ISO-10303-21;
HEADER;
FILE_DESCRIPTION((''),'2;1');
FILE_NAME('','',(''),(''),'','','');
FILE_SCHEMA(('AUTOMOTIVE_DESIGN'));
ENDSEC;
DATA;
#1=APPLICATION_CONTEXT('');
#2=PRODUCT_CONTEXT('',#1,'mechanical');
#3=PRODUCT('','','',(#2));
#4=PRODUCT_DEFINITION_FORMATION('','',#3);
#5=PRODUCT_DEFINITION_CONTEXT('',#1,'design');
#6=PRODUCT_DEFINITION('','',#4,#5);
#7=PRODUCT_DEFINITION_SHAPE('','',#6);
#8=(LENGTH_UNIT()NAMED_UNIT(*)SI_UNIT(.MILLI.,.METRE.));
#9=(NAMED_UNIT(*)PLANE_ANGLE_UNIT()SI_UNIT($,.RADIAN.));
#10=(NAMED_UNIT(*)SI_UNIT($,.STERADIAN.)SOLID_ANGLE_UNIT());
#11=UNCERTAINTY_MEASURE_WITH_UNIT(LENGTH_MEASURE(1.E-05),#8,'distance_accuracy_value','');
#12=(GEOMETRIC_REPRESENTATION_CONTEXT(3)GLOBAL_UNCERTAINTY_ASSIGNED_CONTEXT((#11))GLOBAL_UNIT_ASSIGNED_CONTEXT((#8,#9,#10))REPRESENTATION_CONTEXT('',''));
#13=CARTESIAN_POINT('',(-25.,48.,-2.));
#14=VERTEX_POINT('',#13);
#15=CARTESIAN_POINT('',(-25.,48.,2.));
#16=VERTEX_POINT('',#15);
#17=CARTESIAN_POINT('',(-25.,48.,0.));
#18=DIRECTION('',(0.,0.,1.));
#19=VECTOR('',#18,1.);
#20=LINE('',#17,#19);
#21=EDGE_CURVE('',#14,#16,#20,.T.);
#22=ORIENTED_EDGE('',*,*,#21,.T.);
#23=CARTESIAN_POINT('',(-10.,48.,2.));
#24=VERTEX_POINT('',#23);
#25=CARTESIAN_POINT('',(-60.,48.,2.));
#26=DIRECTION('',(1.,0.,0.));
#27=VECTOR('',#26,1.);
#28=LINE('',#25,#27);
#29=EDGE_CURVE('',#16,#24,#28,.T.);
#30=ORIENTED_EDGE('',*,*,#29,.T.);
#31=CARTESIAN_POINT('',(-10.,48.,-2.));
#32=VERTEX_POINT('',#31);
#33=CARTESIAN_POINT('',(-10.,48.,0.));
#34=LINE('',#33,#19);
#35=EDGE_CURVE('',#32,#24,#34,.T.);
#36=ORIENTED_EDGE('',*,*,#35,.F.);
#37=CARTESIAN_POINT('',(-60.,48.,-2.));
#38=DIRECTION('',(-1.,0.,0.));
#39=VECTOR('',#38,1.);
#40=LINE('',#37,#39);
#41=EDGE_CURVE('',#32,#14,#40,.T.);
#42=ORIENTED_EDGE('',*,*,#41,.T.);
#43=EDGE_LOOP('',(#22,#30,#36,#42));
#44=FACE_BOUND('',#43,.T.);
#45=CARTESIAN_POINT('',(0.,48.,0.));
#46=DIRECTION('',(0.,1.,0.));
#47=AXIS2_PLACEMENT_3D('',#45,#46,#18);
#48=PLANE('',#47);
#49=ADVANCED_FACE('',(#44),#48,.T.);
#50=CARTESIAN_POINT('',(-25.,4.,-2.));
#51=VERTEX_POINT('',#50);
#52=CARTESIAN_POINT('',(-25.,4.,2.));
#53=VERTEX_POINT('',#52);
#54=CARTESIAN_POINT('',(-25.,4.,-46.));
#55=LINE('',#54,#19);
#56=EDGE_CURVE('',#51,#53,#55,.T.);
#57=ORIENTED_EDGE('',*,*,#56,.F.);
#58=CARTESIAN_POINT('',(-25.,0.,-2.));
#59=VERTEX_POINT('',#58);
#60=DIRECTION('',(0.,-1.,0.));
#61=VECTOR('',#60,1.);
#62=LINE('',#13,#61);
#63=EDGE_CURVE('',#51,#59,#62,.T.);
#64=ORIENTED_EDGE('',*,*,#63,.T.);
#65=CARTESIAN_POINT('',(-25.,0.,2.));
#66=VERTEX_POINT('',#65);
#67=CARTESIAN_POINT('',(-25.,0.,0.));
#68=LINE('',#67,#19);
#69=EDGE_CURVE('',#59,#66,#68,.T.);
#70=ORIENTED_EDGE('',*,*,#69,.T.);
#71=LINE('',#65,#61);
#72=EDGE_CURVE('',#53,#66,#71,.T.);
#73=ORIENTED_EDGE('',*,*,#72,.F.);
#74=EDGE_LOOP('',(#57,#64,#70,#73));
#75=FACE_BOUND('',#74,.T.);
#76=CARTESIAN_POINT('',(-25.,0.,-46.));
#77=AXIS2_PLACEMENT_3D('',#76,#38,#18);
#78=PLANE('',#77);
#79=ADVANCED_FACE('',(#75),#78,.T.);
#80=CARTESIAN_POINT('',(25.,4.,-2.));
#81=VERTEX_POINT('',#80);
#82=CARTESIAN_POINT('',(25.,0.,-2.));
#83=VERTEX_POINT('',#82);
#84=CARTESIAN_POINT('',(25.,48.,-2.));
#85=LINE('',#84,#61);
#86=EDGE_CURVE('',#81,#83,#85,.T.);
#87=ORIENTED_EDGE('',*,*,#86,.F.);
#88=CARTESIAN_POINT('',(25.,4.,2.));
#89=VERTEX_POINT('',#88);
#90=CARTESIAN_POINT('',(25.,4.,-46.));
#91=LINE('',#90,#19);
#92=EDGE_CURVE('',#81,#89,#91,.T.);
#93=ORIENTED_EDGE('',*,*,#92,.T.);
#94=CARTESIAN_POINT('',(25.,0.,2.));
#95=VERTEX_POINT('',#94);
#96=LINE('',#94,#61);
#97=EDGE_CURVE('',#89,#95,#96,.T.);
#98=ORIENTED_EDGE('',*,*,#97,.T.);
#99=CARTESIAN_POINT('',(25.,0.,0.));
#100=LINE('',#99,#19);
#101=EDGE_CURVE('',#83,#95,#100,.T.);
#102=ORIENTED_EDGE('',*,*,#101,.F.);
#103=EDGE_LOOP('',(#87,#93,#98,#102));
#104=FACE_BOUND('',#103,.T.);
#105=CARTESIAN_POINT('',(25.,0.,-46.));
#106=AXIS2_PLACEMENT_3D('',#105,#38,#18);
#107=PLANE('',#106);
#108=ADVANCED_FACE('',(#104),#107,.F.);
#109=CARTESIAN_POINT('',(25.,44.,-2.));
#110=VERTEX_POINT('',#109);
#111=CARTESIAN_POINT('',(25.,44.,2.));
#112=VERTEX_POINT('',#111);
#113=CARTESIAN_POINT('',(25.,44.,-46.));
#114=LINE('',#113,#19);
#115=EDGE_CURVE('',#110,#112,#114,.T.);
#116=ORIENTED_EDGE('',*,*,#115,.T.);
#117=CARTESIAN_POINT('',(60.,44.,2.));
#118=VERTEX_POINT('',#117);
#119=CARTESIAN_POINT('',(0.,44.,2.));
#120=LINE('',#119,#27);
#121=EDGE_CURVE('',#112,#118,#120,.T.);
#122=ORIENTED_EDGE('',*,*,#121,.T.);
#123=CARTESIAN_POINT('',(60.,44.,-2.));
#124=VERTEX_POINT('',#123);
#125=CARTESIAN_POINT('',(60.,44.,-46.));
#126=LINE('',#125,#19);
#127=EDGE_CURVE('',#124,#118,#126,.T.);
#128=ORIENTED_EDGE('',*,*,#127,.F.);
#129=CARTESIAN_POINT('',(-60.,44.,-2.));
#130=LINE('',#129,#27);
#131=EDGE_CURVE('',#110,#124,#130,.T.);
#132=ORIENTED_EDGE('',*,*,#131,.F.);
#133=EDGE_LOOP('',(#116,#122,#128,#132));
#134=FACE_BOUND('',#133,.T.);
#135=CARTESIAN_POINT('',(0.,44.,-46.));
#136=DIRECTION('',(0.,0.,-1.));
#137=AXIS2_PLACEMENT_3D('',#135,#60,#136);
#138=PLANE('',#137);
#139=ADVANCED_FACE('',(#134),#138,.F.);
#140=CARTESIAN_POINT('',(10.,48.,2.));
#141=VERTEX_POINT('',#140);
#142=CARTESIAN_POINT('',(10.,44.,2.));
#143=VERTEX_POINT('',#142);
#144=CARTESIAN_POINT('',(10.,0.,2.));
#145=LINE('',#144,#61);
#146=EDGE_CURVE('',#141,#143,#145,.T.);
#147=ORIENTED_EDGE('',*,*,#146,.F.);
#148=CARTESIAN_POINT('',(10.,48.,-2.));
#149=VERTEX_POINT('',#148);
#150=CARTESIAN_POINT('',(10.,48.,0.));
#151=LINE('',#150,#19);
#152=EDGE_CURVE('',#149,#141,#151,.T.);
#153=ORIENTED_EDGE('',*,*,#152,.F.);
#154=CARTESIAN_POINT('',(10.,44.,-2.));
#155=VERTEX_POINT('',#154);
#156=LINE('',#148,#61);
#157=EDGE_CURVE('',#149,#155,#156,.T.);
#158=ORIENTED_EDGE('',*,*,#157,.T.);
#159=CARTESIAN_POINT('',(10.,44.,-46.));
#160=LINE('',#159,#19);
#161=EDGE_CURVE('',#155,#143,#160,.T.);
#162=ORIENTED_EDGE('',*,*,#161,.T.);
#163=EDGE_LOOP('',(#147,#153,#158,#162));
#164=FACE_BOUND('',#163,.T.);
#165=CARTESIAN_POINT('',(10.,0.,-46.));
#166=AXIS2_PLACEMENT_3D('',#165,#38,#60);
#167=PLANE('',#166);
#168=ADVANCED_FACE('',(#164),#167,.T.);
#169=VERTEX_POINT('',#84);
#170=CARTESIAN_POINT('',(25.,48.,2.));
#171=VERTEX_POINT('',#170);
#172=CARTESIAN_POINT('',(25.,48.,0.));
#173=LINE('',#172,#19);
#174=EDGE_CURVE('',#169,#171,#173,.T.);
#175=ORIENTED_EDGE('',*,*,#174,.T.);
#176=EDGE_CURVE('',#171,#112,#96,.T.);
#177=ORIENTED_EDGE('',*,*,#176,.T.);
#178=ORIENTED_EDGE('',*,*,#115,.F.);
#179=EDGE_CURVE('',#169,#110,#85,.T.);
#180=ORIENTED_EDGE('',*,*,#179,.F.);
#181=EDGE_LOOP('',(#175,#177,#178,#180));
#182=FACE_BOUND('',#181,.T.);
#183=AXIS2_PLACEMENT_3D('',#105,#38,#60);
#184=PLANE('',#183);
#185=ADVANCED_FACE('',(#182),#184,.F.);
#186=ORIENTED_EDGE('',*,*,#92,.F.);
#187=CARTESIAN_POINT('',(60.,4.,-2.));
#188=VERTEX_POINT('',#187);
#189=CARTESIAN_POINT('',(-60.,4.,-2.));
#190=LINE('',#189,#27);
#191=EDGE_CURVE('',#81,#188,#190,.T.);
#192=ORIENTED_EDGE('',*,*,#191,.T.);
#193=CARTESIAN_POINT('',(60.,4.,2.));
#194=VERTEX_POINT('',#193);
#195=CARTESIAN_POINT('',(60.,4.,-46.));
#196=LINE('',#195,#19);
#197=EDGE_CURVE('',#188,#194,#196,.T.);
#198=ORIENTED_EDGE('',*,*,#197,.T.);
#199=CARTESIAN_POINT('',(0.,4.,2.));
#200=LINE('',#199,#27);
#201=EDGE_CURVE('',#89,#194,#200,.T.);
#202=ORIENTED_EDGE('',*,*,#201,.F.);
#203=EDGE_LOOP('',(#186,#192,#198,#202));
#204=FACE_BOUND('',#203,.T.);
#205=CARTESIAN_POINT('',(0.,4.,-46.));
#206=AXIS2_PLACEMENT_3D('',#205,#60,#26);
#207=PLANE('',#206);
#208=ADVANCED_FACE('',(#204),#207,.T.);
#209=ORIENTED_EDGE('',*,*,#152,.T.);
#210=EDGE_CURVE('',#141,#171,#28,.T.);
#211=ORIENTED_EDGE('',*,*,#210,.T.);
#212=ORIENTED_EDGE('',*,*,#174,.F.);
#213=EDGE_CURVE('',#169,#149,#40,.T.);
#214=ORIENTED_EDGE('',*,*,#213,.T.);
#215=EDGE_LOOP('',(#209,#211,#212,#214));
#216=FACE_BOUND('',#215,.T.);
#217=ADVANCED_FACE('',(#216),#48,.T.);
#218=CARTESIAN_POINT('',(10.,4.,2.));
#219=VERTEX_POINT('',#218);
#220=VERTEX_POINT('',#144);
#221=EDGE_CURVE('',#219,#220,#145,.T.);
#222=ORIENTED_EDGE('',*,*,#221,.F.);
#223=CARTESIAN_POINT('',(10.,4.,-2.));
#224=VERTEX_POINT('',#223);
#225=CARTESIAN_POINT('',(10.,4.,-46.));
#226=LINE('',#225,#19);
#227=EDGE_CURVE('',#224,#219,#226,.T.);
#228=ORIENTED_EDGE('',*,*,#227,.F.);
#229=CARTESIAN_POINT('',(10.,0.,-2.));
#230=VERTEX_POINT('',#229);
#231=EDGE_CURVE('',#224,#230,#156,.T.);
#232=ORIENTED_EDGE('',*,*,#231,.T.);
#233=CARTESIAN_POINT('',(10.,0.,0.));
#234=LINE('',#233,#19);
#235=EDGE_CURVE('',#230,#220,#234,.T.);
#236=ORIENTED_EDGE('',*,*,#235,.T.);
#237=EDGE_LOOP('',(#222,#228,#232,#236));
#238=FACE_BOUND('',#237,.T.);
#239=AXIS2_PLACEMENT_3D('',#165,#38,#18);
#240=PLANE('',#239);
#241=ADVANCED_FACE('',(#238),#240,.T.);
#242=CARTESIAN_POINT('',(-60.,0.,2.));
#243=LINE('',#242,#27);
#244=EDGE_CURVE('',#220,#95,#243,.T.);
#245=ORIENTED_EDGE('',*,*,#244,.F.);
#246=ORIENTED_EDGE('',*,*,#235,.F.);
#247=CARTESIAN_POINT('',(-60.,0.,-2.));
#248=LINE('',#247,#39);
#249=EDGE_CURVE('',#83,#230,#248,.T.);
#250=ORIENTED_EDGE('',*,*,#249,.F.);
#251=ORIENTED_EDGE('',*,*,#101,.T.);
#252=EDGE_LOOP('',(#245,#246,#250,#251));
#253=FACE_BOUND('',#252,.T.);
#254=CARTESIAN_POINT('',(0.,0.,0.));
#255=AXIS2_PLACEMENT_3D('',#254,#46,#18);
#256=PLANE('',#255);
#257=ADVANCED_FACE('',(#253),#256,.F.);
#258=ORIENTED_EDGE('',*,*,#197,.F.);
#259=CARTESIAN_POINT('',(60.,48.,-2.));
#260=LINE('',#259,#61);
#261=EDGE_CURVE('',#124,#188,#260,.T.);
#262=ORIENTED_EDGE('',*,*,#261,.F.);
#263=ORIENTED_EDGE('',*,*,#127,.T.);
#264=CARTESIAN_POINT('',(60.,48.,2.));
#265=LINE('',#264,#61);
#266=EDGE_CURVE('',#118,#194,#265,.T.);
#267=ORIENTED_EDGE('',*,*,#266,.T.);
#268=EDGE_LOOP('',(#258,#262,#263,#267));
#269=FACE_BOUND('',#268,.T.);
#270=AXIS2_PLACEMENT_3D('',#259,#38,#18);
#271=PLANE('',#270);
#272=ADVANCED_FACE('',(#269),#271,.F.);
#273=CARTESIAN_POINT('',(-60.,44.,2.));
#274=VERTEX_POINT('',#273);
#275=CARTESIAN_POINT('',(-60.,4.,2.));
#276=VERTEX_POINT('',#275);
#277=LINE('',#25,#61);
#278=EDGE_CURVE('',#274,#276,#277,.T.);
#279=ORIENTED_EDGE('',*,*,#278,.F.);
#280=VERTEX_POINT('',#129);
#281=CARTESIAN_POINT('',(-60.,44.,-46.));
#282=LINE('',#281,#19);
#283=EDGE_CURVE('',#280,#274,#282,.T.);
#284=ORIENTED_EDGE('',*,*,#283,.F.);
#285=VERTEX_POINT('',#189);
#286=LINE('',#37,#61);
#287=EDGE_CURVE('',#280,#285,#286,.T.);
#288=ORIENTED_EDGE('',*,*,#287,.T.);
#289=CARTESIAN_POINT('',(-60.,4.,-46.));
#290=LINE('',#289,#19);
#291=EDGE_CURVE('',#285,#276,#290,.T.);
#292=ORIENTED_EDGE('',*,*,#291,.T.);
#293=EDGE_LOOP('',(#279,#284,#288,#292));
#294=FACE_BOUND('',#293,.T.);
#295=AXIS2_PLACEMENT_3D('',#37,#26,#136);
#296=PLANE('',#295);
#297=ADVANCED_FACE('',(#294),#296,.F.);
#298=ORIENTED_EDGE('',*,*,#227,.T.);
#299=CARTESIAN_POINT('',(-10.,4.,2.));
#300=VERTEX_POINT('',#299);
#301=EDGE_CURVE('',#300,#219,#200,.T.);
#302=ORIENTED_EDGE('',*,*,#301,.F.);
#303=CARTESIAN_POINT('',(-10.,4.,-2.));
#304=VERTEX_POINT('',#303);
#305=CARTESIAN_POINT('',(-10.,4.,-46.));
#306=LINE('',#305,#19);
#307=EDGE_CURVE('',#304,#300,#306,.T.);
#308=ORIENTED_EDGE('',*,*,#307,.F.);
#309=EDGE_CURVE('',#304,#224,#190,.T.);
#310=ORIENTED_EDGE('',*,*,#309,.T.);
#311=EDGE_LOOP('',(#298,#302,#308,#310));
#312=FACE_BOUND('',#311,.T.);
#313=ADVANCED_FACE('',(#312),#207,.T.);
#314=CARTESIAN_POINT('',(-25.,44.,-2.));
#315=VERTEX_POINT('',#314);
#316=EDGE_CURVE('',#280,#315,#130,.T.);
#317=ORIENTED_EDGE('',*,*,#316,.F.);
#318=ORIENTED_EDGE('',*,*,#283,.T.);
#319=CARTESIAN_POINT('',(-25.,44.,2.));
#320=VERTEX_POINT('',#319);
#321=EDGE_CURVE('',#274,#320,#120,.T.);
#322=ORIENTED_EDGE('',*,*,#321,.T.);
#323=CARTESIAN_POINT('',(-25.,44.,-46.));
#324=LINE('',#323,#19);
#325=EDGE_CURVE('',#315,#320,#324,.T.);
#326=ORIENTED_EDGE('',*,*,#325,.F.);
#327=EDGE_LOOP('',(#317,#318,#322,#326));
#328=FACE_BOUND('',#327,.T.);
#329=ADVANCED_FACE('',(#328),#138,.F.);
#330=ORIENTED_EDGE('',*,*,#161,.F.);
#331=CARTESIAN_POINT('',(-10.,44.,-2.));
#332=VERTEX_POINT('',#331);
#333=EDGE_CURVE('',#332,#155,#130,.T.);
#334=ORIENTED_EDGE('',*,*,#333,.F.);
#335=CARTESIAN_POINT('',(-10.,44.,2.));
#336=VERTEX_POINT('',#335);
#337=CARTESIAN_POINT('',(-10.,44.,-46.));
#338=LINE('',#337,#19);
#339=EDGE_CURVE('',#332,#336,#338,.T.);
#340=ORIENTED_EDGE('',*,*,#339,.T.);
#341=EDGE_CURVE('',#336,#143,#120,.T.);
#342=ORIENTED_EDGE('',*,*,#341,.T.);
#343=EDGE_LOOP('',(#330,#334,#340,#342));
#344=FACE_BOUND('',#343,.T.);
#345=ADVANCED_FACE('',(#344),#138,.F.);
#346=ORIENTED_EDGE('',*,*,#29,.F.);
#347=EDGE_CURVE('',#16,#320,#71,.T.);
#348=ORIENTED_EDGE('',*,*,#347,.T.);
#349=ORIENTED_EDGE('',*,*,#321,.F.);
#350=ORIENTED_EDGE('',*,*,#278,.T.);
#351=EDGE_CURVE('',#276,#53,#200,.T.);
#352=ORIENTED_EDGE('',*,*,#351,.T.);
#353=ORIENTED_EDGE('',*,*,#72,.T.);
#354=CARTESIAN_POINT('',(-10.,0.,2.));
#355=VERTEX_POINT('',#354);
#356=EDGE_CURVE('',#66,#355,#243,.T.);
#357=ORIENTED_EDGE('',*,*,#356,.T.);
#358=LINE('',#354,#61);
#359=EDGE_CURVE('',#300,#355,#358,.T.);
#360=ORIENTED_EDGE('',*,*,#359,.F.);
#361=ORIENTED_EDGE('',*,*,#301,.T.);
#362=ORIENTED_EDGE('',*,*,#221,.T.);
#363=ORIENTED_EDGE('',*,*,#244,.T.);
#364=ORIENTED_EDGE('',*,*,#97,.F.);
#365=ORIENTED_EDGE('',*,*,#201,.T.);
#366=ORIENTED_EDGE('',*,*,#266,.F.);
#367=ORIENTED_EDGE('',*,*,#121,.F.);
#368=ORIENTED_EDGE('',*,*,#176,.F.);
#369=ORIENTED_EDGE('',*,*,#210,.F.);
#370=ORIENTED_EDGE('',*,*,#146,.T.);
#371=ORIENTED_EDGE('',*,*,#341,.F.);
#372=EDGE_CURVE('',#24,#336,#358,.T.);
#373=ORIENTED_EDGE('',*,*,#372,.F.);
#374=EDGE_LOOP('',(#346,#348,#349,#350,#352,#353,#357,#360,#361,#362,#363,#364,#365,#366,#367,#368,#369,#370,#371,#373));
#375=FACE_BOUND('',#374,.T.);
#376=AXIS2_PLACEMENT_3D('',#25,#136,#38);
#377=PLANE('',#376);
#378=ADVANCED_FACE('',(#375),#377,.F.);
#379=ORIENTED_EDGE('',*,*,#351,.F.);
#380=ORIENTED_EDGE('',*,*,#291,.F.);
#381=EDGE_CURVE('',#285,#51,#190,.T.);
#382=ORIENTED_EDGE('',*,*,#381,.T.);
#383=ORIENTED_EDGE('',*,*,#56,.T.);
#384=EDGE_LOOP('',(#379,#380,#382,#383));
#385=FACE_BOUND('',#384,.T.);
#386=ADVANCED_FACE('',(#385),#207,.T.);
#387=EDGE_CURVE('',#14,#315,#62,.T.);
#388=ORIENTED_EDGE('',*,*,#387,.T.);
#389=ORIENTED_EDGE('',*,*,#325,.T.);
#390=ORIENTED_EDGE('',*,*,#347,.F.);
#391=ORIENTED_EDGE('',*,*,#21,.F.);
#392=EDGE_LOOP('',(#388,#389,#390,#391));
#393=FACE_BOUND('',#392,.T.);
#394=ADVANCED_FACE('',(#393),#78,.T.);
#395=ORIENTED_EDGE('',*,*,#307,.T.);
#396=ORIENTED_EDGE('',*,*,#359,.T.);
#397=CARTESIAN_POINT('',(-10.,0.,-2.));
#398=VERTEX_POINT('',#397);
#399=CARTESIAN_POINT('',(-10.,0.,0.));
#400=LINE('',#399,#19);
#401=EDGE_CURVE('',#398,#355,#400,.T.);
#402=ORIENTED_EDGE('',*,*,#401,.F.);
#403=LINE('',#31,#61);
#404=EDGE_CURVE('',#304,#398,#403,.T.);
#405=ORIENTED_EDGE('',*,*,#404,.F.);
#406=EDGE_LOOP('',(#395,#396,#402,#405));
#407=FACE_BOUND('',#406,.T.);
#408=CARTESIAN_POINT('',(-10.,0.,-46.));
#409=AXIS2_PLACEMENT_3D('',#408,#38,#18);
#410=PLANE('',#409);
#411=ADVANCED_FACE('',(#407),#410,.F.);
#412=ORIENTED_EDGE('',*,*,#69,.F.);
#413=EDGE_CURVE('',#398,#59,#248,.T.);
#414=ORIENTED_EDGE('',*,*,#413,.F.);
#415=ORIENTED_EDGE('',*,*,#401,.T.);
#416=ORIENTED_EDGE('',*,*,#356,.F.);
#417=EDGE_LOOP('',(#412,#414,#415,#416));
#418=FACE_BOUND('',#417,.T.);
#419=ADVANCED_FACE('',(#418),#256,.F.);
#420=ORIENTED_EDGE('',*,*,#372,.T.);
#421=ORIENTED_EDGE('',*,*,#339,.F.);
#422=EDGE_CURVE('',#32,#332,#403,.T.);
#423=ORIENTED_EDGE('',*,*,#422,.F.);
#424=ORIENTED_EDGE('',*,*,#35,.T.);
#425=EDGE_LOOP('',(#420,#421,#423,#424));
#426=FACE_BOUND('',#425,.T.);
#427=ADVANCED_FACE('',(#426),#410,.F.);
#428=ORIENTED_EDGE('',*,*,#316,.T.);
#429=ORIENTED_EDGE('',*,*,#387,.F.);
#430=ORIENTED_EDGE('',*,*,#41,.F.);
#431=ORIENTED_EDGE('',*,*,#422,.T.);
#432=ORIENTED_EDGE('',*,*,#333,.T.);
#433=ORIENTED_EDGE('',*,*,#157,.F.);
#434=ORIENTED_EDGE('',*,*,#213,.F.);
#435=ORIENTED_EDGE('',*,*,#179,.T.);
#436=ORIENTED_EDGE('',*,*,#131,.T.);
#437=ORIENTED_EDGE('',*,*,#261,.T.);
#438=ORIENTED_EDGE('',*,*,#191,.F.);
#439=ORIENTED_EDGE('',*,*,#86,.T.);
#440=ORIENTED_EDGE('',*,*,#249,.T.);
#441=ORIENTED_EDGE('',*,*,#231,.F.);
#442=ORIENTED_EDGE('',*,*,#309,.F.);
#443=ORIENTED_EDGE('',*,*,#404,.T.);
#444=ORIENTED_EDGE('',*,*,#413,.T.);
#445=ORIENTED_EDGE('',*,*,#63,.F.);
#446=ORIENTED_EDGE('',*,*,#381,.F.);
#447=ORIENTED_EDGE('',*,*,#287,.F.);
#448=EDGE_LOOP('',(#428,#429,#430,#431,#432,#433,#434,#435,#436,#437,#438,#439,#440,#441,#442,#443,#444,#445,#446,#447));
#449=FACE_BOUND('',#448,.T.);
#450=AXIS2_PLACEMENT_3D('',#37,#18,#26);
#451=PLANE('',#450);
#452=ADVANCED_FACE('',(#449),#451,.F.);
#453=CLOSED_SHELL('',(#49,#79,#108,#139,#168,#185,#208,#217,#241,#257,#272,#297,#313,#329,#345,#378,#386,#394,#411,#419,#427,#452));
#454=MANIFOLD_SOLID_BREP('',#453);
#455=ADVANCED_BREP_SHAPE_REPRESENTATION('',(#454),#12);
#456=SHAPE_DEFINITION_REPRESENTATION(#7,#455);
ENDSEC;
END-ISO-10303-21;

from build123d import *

# Parameters (mm, degrees)
SKETCH1_W           = 120
SKETCH1_H           = 4
BOSS_EXTRUDE3_DEPTH = 48
SKETCH4_W           = 35
SKETCH4_H           = 4
SKETCH4_W_2         = 20
CUT_EXTRUDE2_DEPTH  = 48


with BuildPart() as part:
    # Sketch1 → Boss-Extrude3 (new body)
    with BuildSketch(Plane(origin=(0, 0, 0), x_dir=(1, 0, 0), z_dir=(0, 1, 0))):
        Rectangle(SKETCH1_W, SKETCH1_H)
    extrude(amount=BOSS_EXTRUDE3_DEPTH)

    # Sketch4 → Cut-Extrude2 (cut)
    with BuildSketch(Plane.XY.offset(2)):
        with Locations((-42.5, 46)):
            Rectangle(SKETCH4_W, SKETCH4_H)
        with Locations((0, 46)):
            Rectangle(SKETCH4_W_2, SKETCH4_H)
        with Locations((42.5, 46)):
            Rectangle(SKETCH4_W, SKETCH4_H)
        with Locations((-42.5, 2)):
            Rectangle(SKETCH4_W, SKETCH4_H)
        with Locations((0, 2)):
            Rectangle(SKETCH4_W_2, SKETCH4_H)
        with Locations((42.5, 2)):
            Rectangle(SKETCH4_W, SKETCH4_H)
    extrude(amount=-CUT_EXTRUDE2_DEPTH, mode=Mode.SUBTRACT)


solid = part.part
